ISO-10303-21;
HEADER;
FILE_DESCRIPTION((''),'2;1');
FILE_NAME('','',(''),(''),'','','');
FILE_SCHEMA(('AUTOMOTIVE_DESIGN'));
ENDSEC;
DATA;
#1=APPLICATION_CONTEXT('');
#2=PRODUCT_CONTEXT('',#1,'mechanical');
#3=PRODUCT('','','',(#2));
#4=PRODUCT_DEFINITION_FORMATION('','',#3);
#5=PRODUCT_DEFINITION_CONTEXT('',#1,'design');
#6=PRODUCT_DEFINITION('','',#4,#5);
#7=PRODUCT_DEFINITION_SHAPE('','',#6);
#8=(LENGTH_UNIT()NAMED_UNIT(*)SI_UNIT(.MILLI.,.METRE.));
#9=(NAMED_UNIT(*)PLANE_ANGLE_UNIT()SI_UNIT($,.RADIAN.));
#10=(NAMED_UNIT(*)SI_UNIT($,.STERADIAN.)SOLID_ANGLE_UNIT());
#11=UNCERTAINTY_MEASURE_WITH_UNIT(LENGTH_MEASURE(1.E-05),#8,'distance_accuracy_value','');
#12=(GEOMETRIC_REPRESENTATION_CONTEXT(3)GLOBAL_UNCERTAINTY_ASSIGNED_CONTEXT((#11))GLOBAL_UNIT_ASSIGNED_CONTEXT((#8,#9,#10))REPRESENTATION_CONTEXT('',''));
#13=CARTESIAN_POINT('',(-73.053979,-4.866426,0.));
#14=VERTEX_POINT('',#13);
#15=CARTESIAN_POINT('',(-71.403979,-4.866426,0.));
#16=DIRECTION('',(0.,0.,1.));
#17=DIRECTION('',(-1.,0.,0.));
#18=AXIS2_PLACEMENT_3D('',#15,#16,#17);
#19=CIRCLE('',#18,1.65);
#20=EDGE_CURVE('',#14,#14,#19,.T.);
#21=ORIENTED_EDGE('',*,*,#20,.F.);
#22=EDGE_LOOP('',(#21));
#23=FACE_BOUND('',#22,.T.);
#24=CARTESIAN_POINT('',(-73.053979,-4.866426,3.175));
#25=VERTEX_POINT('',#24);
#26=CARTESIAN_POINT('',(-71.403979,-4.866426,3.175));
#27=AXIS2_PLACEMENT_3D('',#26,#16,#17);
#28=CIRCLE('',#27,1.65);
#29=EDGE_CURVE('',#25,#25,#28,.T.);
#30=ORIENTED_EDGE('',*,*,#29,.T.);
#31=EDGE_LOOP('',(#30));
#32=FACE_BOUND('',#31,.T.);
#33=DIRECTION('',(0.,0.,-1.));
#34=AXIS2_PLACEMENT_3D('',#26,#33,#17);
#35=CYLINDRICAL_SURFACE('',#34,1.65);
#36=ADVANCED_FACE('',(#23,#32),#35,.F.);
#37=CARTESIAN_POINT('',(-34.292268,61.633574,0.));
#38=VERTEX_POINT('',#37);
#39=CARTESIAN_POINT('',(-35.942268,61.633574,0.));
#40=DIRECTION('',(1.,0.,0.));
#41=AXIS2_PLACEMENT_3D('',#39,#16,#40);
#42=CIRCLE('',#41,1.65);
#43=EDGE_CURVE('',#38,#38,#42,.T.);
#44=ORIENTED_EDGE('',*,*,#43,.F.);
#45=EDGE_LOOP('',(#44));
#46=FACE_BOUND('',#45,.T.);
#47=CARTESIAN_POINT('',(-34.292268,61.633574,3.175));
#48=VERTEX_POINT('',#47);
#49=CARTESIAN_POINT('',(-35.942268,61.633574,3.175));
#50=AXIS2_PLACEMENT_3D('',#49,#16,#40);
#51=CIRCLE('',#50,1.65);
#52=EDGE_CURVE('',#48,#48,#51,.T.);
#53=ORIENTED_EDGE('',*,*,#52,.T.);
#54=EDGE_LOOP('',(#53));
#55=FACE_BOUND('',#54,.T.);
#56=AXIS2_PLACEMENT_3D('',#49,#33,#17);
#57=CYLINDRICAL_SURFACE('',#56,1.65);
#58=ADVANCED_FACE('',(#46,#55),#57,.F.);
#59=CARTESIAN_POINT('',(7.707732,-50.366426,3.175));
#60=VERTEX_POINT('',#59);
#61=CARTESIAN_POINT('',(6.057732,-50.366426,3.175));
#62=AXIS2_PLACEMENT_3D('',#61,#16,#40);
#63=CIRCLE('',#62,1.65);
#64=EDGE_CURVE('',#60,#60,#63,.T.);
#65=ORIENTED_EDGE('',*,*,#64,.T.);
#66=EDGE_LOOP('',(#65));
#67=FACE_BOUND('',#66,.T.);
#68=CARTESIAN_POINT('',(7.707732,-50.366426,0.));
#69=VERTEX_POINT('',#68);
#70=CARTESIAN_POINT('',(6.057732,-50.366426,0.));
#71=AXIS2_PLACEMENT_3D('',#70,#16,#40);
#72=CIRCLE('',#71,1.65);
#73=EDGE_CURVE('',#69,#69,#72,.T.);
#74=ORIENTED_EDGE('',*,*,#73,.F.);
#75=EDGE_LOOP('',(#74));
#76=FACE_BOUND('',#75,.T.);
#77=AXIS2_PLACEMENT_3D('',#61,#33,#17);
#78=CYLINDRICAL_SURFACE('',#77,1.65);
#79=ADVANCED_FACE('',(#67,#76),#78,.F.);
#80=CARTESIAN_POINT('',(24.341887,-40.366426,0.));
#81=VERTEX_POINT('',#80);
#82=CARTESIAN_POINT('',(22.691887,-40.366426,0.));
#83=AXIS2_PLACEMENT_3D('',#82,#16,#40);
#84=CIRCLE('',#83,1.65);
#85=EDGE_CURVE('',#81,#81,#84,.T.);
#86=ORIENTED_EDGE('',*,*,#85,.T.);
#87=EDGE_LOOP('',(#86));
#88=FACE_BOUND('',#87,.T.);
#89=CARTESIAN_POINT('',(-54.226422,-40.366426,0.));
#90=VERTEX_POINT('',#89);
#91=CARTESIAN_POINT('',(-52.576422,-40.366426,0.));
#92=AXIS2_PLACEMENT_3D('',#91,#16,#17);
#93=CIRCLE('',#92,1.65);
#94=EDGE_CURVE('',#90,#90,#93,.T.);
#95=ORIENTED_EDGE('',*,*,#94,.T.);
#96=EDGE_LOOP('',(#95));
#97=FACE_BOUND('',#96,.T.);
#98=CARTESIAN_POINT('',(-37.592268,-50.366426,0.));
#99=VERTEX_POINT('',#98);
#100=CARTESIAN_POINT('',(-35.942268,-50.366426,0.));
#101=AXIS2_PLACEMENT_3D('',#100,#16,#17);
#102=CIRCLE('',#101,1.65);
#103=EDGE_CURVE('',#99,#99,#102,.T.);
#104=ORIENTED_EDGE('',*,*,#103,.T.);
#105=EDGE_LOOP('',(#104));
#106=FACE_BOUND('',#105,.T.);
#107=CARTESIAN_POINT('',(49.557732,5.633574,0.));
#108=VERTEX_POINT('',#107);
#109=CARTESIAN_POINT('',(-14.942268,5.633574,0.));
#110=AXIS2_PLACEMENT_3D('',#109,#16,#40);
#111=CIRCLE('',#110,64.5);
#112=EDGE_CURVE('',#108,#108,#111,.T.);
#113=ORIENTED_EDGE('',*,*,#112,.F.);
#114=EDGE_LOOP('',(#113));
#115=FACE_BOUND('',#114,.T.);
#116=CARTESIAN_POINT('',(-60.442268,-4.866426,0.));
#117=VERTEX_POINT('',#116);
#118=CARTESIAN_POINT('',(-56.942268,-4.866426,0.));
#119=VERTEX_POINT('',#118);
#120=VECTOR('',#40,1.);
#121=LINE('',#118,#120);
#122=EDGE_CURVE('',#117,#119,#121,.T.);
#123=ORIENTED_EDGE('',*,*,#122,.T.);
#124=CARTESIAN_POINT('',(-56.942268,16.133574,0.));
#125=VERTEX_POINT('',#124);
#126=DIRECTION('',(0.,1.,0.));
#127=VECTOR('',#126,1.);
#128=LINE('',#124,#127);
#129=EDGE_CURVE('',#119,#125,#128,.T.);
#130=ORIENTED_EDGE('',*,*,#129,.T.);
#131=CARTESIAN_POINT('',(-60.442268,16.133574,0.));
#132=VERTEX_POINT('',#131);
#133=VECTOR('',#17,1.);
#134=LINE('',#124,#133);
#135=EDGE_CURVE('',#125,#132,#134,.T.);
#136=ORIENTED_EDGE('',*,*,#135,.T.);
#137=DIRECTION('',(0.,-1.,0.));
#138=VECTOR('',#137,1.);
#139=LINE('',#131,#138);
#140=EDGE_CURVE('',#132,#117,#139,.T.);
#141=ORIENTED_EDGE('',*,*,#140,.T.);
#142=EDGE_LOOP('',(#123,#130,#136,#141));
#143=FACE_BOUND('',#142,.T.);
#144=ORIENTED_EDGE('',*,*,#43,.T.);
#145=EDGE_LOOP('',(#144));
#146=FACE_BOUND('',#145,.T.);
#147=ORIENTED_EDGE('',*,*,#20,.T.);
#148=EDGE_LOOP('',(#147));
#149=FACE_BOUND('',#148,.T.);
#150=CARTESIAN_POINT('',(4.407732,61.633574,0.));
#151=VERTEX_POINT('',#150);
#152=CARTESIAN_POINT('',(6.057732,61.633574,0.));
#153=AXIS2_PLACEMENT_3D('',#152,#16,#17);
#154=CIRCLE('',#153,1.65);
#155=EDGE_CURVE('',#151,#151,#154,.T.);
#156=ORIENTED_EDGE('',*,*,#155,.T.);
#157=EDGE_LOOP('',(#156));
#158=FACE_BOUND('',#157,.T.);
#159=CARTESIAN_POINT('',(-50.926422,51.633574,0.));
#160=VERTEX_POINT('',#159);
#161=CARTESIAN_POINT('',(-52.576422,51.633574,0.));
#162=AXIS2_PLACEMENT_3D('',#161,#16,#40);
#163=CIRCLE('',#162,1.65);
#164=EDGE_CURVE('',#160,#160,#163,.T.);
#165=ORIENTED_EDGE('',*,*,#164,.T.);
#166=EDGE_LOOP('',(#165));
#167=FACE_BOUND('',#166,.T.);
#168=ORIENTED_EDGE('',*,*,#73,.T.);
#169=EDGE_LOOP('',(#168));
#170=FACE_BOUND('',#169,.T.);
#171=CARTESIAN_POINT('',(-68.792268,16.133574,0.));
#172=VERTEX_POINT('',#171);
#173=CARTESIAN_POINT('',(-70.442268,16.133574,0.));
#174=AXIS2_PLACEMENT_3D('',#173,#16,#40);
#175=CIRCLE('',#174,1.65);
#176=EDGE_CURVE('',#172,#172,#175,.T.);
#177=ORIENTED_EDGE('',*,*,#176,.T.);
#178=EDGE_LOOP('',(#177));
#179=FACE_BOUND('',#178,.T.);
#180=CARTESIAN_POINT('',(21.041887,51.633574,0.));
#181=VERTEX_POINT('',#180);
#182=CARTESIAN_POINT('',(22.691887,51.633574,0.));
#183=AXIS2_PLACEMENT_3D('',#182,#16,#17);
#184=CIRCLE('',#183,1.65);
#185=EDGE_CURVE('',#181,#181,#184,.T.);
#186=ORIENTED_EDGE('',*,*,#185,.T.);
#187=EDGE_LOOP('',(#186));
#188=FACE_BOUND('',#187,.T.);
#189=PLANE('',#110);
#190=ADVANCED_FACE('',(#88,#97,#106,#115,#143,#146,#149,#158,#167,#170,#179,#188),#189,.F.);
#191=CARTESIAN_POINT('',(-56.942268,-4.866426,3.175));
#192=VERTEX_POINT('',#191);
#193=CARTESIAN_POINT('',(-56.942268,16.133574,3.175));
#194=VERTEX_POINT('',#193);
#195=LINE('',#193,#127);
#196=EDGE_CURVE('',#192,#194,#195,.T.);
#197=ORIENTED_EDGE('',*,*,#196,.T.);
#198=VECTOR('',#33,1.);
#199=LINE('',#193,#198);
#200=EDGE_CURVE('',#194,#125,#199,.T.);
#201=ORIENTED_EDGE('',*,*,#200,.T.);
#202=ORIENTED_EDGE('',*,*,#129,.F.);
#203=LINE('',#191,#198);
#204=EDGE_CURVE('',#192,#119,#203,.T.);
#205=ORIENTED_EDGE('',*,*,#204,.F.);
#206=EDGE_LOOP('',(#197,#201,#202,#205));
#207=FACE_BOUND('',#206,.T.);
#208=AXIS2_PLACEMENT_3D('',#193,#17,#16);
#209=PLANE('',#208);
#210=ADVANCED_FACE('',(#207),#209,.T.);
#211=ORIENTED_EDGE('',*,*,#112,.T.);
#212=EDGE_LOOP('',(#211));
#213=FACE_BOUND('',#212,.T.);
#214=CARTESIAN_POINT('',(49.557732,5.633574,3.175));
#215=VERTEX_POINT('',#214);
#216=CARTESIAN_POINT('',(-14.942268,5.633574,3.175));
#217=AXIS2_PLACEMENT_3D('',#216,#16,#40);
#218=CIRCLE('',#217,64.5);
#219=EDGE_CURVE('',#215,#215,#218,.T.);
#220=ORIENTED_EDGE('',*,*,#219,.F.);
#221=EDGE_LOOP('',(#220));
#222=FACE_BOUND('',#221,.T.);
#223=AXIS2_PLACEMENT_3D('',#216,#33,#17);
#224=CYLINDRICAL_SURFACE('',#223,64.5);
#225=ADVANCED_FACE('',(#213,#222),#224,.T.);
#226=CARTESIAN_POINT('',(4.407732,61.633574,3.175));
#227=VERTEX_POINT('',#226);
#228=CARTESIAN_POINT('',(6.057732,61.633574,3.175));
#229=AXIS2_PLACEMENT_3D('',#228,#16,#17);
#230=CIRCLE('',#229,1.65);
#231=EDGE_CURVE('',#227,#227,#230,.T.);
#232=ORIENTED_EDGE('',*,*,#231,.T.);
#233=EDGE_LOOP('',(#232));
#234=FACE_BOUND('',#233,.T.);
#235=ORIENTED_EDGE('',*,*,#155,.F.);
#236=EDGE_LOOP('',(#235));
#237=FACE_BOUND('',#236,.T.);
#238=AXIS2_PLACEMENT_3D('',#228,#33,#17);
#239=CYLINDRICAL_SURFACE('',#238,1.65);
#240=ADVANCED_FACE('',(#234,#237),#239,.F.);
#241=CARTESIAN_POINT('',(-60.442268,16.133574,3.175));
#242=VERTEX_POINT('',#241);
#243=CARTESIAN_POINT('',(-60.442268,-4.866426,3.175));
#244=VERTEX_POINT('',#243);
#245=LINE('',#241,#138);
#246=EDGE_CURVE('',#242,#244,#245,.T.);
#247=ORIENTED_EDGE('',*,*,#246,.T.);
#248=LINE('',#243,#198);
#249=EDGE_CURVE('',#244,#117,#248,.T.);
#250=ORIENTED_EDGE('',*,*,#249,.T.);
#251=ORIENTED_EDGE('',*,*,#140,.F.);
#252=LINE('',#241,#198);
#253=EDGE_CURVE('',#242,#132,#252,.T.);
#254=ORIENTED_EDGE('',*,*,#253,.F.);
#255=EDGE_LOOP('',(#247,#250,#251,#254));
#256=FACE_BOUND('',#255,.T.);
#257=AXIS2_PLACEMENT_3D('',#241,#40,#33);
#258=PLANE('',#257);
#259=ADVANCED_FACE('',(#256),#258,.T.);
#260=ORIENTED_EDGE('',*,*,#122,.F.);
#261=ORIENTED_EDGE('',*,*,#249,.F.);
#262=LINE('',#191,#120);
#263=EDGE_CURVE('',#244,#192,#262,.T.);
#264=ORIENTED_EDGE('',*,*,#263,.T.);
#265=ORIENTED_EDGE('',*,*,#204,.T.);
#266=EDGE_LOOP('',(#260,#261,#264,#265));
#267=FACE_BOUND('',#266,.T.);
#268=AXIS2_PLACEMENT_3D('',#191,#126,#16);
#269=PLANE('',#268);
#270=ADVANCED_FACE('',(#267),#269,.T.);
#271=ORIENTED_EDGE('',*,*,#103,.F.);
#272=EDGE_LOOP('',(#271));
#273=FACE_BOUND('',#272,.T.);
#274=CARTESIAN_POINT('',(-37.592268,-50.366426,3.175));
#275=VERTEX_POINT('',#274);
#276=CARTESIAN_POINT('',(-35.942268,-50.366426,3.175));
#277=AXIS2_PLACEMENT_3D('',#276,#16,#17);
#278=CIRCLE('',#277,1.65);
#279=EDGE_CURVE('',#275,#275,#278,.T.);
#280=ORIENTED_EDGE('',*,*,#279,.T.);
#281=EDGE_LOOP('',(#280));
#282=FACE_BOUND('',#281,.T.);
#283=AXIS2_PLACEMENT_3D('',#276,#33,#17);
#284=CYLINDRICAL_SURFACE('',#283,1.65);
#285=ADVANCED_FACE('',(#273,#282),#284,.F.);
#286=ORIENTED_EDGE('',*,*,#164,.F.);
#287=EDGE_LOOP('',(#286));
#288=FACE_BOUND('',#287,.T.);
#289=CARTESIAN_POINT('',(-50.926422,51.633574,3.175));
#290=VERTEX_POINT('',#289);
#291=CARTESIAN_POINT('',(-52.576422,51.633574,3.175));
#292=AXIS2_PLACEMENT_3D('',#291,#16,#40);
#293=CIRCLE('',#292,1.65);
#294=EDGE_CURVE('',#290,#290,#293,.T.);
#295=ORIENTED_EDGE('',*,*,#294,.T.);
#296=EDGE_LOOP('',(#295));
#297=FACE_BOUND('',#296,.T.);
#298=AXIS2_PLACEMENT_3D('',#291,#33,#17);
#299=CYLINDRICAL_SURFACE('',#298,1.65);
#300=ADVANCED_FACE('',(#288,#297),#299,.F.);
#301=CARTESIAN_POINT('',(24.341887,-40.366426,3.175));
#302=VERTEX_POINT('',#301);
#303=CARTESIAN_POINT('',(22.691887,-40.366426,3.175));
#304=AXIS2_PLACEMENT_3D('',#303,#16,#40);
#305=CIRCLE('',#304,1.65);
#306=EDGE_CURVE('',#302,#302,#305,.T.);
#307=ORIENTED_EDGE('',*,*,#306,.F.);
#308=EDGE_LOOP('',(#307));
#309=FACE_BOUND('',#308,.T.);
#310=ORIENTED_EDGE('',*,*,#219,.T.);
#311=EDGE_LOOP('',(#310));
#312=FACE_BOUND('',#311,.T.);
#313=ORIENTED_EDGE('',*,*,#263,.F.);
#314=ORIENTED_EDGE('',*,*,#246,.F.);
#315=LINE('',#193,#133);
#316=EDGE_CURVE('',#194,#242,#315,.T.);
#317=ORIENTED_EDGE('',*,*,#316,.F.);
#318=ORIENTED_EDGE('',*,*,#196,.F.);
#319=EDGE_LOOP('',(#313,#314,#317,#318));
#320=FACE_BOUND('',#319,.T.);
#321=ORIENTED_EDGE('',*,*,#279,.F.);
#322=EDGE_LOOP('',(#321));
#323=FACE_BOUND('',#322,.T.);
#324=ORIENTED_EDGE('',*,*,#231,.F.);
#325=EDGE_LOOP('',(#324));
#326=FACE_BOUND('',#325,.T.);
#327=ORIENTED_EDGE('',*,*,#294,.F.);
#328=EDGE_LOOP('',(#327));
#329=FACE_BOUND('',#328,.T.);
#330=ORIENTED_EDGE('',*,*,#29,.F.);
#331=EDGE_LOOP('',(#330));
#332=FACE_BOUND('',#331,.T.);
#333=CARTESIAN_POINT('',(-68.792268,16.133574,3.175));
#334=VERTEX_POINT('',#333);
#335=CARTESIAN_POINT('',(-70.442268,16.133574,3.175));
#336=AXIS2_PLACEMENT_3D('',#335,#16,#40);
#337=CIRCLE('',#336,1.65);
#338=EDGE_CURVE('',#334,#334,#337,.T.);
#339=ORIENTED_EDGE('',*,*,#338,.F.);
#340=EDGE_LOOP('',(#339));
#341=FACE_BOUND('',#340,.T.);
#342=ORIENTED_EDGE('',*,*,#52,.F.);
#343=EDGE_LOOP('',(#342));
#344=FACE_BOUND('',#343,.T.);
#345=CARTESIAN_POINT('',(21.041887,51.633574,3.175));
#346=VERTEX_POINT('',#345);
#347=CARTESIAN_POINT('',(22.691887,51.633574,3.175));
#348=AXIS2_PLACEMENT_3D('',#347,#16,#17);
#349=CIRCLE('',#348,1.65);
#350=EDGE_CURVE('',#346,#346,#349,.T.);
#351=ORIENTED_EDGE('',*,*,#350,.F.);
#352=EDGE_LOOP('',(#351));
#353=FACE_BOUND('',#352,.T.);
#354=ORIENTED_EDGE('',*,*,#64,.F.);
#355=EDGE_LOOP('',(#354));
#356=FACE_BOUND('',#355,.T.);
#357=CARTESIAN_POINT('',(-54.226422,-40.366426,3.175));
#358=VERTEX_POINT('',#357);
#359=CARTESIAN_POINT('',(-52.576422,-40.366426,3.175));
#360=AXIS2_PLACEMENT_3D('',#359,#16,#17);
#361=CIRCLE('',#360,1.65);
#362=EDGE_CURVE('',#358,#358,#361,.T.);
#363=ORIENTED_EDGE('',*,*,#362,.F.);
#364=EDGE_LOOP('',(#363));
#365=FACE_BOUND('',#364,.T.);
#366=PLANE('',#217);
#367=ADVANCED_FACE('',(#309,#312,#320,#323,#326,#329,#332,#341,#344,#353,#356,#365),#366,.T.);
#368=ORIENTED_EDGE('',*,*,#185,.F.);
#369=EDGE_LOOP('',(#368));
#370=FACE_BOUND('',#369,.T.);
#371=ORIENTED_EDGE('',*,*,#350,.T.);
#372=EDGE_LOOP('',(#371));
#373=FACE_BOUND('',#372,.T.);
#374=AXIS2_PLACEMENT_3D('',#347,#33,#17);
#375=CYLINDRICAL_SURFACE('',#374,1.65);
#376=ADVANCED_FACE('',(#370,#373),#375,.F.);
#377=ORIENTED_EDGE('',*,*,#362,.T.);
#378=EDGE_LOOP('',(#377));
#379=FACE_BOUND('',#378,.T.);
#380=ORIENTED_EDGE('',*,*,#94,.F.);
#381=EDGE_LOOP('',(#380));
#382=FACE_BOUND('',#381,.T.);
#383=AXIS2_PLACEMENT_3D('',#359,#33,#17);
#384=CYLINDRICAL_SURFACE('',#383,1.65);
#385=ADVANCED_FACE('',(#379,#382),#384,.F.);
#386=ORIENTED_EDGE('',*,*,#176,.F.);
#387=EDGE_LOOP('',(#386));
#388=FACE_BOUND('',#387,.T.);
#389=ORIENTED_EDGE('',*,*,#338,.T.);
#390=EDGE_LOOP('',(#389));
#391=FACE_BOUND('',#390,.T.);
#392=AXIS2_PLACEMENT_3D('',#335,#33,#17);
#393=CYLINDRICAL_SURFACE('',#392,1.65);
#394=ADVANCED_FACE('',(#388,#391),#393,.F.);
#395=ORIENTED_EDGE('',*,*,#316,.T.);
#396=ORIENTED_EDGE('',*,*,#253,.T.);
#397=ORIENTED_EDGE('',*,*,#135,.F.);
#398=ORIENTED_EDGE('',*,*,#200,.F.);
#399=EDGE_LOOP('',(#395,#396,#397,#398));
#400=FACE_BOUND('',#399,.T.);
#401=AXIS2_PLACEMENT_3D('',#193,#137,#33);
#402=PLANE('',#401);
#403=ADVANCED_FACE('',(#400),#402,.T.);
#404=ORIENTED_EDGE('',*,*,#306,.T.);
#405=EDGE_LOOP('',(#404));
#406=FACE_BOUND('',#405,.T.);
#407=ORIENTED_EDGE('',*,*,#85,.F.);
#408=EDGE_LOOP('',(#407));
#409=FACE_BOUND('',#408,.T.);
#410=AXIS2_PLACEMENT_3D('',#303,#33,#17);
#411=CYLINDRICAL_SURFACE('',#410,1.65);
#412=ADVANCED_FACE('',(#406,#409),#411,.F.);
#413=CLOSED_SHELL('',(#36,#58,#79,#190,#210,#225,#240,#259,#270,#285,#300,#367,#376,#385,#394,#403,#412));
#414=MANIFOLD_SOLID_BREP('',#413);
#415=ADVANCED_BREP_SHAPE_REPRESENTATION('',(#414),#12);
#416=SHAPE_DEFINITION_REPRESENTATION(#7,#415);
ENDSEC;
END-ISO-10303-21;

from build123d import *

# Parameters (mm, degrees)
SKETCH1_R           = 64.5
SKETCH1_R_2         = 1.65
SKETCH1_W           = 3.5
SKETCH1_H           = 21
BOSS_EXTRUDE1_DEPTH = 3.175


with BuildPart() as part:
    # Sketch1 → Boss-Extrude1 (new body)
    with BuildSketch(Plane(origin=(0, 0, 0), x_dir=(-1, 0, 0), z_dir=(0, 0, 1))):
        with Locations((14.94226781, -5.633574242)):
            Circle(SKETCH1_R)
        with Locations((-6.05773219, 50.366425758)):
            Circle(SKETCH1_R_2, mode=Mode.SUBTRACT)
        with Locations((-22.69188657, 40.366425758)):
            Circle(SKETCH1_R_2, mode=Mode.SUBTRACT)
        with Locations((35.94226781, 50.366425758)):
            Circle(SKETCH1_R_2, mode=Mode.SUBTRACT)
        with Locations((52.57642219, 40.366425758)):
            Circle(SKETCH1_R_2, mode=Mode.SUBTRACT)
        with Locations((52.57642219, -51.633574242)):
            Circle(SKETCH1_R_2, mode=Mode.SUBTRACT)
        with Locations((35.94226781, -61.633574242)):
            Circle(SKETCH1_R_2, mode=Mode.SUBTRACT)
        with Locations((-6.05773219, -61.633574242)):
            Circle(SKETCH1_R_2, mode=Mode.SUBTRACT)
        with Locations((-22.69188657, -51.633574242)):
            Circle(SKETCH1_R_2, mode=Mode.SUBTRACT)
        with Locations((71.403979127, 4.866425758)):
            Circle(SKETCH1_R_2, mode=Mode.SUBTRACT)
        with Locations((70.44226781, -16.133574242)):
            Circle(SKETCH1_R_2, mode=Mode.SUBTRACT)
        with Locations((58.69226781, -5.633574242)):
            Rectangle(SKETCH1_W, SKETCH1_H, mode=Mode.SUBTRACT)
    extrude(amount=BOSS_EXTRUDE1_DEPTH)


solid = part.part
